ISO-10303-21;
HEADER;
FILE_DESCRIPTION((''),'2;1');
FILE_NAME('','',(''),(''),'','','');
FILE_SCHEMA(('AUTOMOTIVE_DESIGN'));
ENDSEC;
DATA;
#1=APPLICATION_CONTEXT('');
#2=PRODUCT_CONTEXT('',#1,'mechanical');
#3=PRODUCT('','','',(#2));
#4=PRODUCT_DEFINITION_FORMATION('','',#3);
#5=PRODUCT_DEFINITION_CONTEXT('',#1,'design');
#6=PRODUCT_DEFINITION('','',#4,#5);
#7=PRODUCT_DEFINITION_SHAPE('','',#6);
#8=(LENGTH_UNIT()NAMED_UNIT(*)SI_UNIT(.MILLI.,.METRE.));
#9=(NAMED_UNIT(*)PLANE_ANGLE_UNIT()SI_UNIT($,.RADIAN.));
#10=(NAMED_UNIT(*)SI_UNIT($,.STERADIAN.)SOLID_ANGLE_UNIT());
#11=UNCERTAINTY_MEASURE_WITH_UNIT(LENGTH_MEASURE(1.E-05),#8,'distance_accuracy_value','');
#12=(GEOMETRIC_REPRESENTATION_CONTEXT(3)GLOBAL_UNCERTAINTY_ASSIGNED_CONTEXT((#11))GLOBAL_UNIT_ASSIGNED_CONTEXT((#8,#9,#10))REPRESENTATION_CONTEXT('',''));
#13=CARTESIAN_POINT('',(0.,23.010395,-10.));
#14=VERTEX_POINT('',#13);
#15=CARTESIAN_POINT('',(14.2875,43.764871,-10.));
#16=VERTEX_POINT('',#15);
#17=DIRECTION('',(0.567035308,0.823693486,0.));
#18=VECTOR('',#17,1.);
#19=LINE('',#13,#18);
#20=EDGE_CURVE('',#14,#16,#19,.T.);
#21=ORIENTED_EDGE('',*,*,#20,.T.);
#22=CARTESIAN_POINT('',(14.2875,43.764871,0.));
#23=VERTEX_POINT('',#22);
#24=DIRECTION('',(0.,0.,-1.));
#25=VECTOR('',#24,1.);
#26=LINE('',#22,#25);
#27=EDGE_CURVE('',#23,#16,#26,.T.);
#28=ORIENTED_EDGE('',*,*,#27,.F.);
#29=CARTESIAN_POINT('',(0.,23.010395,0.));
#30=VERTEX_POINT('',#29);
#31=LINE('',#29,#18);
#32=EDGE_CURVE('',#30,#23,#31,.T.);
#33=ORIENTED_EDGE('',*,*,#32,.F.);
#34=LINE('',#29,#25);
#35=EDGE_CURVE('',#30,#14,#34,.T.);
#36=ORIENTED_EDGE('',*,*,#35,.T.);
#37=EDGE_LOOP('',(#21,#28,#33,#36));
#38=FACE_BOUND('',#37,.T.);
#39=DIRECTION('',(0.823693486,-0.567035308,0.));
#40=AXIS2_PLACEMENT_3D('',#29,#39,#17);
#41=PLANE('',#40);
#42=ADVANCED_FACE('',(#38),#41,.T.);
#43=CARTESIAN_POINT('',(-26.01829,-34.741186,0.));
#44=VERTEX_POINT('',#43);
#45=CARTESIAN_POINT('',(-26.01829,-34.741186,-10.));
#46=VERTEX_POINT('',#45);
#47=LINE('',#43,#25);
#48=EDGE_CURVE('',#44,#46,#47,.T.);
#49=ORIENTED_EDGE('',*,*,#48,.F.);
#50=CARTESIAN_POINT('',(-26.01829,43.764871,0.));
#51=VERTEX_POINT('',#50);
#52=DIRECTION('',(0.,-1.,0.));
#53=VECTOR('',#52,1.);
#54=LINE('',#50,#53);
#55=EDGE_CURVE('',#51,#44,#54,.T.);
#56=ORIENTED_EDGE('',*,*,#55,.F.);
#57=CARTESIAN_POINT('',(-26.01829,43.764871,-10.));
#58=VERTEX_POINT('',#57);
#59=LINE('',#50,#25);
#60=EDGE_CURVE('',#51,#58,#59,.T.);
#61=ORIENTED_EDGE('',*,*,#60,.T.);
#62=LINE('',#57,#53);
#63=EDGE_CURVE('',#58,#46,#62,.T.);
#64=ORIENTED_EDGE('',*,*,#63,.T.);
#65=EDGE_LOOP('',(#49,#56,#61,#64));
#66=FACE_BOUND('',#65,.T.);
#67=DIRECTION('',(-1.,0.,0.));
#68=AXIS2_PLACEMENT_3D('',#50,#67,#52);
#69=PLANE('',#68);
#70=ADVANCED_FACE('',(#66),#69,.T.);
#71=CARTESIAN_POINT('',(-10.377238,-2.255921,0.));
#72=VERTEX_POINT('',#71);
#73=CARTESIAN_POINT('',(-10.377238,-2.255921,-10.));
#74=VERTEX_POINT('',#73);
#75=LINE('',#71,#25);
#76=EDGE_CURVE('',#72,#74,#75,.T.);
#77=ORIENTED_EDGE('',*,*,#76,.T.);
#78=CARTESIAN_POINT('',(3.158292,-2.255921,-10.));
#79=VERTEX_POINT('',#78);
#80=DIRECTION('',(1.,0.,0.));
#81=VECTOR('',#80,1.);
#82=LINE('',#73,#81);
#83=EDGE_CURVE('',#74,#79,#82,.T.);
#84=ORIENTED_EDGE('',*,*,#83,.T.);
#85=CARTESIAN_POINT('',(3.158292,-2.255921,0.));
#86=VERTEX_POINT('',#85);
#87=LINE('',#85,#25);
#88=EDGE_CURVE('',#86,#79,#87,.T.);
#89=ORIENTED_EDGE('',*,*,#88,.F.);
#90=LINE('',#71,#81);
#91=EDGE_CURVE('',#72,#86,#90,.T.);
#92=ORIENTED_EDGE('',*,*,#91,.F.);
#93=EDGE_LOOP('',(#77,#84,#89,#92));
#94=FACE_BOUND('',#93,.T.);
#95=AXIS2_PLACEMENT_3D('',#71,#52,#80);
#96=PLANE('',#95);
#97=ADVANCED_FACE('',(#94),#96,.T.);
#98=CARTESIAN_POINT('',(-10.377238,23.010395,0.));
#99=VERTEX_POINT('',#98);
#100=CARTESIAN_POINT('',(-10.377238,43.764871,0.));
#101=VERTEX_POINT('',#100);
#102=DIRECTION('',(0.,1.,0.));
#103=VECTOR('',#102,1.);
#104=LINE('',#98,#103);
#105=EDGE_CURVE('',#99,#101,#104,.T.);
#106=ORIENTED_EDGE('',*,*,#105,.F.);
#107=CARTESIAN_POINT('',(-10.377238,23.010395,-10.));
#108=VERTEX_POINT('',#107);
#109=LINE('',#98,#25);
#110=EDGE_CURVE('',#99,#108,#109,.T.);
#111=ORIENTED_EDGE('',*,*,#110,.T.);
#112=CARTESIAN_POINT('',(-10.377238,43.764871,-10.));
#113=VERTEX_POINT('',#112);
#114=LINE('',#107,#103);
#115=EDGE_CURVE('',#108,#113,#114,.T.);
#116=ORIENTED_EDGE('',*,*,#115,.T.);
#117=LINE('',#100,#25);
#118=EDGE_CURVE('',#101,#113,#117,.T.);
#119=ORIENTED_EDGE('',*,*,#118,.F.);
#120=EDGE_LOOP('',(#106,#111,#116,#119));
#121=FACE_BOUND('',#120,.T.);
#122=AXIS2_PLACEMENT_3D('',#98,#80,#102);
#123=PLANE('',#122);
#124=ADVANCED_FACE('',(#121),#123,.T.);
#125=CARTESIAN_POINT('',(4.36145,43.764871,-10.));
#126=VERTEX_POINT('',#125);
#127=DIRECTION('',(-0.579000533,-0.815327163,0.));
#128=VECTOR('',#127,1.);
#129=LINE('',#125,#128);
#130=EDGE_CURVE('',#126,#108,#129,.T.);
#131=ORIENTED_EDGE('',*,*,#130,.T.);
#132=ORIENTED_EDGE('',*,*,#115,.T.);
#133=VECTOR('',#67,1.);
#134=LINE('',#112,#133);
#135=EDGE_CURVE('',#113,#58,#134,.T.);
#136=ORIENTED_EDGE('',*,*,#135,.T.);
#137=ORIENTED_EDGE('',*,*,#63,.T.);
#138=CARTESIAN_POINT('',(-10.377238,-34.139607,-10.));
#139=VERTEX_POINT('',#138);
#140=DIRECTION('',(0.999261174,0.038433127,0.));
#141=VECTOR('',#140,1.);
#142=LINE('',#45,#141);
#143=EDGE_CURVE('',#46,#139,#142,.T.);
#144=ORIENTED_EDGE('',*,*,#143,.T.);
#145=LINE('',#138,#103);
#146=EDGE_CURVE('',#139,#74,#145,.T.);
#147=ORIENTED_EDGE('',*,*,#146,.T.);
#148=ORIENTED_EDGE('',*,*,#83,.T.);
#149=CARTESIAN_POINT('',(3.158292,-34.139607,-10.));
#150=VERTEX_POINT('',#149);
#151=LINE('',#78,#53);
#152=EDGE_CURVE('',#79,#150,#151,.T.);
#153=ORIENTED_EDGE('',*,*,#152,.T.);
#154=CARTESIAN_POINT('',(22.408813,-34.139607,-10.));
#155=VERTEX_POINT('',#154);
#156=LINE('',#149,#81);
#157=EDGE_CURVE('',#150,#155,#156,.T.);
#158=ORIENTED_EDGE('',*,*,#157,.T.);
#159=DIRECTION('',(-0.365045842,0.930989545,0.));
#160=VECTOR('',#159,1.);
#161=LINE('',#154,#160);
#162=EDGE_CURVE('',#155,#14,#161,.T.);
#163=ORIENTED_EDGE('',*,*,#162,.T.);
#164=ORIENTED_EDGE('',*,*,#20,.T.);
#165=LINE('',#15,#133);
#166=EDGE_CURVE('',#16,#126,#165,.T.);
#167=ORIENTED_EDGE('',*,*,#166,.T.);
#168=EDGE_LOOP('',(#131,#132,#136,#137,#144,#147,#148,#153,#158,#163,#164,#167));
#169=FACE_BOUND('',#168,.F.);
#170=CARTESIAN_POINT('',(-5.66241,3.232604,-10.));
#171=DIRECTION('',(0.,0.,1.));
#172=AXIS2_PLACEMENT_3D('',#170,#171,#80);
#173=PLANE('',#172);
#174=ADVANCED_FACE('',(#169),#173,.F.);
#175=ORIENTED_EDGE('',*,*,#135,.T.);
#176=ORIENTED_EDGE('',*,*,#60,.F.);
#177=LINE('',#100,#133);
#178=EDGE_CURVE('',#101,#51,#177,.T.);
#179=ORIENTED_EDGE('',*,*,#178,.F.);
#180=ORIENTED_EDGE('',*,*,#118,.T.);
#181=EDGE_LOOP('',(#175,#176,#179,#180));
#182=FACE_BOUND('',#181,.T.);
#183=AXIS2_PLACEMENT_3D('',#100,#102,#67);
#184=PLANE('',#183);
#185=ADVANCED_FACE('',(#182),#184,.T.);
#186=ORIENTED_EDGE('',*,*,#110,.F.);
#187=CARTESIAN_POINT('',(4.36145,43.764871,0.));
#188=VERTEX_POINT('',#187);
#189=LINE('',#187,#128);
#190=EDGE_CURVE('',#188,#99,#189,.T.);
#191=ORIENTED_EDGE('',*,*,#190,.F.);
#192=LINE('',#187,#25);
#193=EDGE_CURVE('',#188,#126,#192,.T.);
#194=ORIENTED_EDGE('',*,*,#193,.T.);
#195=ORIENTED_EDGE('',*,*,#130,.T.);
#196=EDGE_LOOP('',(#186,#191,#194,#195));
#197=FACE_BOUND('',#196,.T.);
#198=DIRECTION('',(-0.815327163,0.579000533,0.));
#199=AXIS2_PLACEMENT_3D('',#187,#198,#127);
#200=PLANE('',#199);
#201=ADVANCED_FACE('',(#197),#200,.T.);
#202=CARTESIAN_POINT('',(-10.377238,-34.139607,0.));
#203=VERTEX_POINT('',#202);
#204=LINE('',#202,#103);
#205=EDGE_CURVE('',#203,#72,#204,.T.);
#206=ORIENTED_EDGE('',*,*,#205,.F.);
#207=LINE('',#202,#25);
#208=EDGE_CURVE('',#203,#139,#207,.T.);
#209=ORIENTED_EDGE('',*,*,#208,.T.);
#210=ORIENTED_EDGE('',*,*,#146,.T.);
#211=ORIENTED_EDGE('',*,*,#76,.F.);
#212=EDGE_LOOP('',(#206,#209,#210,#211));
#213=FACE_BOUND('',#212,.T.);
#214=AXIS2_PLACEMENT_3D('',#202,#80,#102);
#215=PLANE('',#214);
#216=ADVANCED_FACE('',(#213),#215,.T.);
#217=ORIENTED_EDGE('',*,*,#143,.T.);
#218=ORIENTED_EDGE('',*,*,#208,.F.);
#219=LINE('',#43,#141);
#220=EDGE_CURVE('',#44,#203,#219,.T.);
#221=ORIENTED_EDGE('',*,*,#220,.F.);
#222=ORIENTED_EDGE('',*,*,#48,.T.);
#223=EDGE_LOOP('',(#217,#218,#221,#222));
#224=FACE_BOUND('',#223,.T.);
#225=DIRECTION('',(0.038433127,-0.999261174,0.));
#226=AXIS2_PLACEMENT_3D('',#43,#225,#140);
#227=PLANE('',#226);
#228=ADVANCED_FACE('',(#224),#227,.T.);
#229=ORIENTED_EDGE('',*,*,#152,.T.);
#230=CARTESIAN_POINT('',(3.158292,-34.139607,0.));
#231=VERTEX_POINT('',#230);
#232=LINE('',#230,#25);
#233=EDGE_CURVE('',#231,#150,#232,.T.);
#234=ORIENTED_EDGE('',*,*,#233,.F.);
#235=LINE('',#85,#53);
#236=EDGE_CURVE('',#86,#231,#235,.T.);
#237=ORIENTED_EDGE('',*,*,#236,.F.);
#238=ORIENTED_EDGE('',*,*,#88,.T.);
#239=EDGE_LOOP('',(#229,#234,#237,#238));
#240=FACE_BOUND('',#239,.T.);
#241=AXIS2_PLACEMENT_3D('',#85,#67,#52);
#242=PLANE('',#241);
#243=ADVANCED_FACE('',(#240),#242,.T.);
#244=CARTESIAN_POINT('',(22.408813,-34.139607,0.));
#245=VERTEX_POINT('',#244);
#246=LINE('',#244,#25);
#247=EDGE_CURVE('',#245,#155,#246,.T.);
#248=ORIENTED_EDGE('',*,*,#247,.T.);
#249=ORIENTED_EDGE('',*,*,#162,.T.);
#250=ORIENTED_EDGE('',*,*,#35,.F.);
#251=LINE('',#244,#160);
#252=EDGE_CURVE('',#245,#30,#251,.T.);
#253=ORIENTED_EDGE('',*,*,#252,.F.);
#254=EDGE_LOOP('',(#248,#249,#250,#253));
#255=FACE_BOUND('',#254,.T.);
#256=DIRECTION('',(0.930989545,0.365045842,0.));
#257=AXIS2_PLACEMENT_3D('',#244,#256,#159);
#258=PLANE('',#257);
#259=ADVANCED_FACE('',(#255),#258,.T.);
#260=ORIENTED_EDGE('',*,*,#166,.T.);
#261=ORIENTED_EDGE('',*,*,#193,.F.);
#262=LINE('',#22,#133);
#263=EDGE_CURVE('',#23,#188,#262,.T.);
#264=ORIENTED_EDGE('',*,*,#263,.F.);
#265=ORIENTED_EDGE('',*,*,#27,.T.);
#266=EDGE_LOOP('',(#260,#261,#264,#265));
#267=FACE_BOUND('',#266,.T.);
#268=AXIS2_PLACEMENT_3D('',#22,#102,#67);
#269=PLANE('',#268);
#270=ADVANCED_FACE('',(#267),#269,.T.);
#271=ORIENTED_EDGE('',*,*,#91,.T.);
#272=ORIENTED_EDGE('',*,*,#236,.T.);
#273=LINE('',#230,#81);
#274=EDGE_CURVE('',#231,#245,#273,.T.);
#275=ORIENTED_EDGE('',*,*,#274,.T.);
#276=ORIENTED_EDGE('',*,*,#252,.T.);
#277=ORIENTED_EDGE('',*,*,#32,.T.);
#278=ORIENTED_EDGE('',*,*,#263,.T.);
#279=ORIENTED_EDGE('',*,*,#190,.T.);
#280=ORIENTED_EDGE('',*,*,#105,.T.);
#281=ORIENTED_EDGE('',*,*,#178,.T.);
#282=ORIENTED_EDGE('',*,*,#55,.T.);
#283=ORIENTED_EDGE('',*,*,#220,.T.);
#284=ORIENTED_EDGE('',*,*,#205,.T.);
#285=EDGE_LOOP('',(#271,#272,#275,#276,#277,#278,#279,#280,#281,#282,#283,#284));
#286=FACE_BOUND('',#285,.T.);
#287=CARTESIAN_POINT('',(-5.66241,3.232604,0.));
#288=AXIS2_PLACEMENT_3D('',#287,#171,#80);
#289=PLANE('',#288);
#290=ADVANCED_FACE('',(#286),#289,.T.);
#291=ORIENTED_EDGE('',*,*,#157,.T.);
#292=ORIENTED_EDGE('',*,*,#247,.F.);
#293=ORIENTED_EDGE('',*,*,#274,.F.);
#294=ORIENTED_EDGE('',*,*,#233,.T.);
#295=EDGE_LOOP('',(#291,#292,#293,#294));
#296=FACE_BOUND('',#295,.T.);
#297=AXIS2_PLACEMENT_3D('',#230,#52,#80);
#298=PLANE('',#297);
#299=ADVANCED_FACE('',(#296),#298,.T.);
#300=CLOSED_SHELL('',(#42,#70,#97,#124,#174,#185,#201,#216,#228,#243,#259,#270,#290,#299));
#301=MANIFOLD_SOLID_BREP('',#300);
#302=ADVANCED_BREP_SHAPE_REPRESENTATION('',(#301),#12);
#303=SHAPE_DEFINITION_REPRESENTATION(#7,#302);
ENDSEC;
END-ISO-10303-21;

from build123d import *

# Parameters (mm, degrees)
F1_DEPTH = 10


with BuildPart() as f1:
    # F0 (on Top) → F1 (new body)
    with BuildSketch(Plane.XY):
        Polygon((-10.377238, 43.764871), (-26.01829, 43.764871), (-26.01829, -34.741186), (-10.377238, -34.139607), (-10.377238, -2.255921), (3.158292, -2.255921), (3.158292, -34.139607), (22.408813, -34.139607), (0, 23.010395), (14.2875, 43.764871), (4.36145, 43.764871), (-10.377238, 23.010395), align=None)
    extrude(amount=-F1_DEPTH)


solid = f1.part
